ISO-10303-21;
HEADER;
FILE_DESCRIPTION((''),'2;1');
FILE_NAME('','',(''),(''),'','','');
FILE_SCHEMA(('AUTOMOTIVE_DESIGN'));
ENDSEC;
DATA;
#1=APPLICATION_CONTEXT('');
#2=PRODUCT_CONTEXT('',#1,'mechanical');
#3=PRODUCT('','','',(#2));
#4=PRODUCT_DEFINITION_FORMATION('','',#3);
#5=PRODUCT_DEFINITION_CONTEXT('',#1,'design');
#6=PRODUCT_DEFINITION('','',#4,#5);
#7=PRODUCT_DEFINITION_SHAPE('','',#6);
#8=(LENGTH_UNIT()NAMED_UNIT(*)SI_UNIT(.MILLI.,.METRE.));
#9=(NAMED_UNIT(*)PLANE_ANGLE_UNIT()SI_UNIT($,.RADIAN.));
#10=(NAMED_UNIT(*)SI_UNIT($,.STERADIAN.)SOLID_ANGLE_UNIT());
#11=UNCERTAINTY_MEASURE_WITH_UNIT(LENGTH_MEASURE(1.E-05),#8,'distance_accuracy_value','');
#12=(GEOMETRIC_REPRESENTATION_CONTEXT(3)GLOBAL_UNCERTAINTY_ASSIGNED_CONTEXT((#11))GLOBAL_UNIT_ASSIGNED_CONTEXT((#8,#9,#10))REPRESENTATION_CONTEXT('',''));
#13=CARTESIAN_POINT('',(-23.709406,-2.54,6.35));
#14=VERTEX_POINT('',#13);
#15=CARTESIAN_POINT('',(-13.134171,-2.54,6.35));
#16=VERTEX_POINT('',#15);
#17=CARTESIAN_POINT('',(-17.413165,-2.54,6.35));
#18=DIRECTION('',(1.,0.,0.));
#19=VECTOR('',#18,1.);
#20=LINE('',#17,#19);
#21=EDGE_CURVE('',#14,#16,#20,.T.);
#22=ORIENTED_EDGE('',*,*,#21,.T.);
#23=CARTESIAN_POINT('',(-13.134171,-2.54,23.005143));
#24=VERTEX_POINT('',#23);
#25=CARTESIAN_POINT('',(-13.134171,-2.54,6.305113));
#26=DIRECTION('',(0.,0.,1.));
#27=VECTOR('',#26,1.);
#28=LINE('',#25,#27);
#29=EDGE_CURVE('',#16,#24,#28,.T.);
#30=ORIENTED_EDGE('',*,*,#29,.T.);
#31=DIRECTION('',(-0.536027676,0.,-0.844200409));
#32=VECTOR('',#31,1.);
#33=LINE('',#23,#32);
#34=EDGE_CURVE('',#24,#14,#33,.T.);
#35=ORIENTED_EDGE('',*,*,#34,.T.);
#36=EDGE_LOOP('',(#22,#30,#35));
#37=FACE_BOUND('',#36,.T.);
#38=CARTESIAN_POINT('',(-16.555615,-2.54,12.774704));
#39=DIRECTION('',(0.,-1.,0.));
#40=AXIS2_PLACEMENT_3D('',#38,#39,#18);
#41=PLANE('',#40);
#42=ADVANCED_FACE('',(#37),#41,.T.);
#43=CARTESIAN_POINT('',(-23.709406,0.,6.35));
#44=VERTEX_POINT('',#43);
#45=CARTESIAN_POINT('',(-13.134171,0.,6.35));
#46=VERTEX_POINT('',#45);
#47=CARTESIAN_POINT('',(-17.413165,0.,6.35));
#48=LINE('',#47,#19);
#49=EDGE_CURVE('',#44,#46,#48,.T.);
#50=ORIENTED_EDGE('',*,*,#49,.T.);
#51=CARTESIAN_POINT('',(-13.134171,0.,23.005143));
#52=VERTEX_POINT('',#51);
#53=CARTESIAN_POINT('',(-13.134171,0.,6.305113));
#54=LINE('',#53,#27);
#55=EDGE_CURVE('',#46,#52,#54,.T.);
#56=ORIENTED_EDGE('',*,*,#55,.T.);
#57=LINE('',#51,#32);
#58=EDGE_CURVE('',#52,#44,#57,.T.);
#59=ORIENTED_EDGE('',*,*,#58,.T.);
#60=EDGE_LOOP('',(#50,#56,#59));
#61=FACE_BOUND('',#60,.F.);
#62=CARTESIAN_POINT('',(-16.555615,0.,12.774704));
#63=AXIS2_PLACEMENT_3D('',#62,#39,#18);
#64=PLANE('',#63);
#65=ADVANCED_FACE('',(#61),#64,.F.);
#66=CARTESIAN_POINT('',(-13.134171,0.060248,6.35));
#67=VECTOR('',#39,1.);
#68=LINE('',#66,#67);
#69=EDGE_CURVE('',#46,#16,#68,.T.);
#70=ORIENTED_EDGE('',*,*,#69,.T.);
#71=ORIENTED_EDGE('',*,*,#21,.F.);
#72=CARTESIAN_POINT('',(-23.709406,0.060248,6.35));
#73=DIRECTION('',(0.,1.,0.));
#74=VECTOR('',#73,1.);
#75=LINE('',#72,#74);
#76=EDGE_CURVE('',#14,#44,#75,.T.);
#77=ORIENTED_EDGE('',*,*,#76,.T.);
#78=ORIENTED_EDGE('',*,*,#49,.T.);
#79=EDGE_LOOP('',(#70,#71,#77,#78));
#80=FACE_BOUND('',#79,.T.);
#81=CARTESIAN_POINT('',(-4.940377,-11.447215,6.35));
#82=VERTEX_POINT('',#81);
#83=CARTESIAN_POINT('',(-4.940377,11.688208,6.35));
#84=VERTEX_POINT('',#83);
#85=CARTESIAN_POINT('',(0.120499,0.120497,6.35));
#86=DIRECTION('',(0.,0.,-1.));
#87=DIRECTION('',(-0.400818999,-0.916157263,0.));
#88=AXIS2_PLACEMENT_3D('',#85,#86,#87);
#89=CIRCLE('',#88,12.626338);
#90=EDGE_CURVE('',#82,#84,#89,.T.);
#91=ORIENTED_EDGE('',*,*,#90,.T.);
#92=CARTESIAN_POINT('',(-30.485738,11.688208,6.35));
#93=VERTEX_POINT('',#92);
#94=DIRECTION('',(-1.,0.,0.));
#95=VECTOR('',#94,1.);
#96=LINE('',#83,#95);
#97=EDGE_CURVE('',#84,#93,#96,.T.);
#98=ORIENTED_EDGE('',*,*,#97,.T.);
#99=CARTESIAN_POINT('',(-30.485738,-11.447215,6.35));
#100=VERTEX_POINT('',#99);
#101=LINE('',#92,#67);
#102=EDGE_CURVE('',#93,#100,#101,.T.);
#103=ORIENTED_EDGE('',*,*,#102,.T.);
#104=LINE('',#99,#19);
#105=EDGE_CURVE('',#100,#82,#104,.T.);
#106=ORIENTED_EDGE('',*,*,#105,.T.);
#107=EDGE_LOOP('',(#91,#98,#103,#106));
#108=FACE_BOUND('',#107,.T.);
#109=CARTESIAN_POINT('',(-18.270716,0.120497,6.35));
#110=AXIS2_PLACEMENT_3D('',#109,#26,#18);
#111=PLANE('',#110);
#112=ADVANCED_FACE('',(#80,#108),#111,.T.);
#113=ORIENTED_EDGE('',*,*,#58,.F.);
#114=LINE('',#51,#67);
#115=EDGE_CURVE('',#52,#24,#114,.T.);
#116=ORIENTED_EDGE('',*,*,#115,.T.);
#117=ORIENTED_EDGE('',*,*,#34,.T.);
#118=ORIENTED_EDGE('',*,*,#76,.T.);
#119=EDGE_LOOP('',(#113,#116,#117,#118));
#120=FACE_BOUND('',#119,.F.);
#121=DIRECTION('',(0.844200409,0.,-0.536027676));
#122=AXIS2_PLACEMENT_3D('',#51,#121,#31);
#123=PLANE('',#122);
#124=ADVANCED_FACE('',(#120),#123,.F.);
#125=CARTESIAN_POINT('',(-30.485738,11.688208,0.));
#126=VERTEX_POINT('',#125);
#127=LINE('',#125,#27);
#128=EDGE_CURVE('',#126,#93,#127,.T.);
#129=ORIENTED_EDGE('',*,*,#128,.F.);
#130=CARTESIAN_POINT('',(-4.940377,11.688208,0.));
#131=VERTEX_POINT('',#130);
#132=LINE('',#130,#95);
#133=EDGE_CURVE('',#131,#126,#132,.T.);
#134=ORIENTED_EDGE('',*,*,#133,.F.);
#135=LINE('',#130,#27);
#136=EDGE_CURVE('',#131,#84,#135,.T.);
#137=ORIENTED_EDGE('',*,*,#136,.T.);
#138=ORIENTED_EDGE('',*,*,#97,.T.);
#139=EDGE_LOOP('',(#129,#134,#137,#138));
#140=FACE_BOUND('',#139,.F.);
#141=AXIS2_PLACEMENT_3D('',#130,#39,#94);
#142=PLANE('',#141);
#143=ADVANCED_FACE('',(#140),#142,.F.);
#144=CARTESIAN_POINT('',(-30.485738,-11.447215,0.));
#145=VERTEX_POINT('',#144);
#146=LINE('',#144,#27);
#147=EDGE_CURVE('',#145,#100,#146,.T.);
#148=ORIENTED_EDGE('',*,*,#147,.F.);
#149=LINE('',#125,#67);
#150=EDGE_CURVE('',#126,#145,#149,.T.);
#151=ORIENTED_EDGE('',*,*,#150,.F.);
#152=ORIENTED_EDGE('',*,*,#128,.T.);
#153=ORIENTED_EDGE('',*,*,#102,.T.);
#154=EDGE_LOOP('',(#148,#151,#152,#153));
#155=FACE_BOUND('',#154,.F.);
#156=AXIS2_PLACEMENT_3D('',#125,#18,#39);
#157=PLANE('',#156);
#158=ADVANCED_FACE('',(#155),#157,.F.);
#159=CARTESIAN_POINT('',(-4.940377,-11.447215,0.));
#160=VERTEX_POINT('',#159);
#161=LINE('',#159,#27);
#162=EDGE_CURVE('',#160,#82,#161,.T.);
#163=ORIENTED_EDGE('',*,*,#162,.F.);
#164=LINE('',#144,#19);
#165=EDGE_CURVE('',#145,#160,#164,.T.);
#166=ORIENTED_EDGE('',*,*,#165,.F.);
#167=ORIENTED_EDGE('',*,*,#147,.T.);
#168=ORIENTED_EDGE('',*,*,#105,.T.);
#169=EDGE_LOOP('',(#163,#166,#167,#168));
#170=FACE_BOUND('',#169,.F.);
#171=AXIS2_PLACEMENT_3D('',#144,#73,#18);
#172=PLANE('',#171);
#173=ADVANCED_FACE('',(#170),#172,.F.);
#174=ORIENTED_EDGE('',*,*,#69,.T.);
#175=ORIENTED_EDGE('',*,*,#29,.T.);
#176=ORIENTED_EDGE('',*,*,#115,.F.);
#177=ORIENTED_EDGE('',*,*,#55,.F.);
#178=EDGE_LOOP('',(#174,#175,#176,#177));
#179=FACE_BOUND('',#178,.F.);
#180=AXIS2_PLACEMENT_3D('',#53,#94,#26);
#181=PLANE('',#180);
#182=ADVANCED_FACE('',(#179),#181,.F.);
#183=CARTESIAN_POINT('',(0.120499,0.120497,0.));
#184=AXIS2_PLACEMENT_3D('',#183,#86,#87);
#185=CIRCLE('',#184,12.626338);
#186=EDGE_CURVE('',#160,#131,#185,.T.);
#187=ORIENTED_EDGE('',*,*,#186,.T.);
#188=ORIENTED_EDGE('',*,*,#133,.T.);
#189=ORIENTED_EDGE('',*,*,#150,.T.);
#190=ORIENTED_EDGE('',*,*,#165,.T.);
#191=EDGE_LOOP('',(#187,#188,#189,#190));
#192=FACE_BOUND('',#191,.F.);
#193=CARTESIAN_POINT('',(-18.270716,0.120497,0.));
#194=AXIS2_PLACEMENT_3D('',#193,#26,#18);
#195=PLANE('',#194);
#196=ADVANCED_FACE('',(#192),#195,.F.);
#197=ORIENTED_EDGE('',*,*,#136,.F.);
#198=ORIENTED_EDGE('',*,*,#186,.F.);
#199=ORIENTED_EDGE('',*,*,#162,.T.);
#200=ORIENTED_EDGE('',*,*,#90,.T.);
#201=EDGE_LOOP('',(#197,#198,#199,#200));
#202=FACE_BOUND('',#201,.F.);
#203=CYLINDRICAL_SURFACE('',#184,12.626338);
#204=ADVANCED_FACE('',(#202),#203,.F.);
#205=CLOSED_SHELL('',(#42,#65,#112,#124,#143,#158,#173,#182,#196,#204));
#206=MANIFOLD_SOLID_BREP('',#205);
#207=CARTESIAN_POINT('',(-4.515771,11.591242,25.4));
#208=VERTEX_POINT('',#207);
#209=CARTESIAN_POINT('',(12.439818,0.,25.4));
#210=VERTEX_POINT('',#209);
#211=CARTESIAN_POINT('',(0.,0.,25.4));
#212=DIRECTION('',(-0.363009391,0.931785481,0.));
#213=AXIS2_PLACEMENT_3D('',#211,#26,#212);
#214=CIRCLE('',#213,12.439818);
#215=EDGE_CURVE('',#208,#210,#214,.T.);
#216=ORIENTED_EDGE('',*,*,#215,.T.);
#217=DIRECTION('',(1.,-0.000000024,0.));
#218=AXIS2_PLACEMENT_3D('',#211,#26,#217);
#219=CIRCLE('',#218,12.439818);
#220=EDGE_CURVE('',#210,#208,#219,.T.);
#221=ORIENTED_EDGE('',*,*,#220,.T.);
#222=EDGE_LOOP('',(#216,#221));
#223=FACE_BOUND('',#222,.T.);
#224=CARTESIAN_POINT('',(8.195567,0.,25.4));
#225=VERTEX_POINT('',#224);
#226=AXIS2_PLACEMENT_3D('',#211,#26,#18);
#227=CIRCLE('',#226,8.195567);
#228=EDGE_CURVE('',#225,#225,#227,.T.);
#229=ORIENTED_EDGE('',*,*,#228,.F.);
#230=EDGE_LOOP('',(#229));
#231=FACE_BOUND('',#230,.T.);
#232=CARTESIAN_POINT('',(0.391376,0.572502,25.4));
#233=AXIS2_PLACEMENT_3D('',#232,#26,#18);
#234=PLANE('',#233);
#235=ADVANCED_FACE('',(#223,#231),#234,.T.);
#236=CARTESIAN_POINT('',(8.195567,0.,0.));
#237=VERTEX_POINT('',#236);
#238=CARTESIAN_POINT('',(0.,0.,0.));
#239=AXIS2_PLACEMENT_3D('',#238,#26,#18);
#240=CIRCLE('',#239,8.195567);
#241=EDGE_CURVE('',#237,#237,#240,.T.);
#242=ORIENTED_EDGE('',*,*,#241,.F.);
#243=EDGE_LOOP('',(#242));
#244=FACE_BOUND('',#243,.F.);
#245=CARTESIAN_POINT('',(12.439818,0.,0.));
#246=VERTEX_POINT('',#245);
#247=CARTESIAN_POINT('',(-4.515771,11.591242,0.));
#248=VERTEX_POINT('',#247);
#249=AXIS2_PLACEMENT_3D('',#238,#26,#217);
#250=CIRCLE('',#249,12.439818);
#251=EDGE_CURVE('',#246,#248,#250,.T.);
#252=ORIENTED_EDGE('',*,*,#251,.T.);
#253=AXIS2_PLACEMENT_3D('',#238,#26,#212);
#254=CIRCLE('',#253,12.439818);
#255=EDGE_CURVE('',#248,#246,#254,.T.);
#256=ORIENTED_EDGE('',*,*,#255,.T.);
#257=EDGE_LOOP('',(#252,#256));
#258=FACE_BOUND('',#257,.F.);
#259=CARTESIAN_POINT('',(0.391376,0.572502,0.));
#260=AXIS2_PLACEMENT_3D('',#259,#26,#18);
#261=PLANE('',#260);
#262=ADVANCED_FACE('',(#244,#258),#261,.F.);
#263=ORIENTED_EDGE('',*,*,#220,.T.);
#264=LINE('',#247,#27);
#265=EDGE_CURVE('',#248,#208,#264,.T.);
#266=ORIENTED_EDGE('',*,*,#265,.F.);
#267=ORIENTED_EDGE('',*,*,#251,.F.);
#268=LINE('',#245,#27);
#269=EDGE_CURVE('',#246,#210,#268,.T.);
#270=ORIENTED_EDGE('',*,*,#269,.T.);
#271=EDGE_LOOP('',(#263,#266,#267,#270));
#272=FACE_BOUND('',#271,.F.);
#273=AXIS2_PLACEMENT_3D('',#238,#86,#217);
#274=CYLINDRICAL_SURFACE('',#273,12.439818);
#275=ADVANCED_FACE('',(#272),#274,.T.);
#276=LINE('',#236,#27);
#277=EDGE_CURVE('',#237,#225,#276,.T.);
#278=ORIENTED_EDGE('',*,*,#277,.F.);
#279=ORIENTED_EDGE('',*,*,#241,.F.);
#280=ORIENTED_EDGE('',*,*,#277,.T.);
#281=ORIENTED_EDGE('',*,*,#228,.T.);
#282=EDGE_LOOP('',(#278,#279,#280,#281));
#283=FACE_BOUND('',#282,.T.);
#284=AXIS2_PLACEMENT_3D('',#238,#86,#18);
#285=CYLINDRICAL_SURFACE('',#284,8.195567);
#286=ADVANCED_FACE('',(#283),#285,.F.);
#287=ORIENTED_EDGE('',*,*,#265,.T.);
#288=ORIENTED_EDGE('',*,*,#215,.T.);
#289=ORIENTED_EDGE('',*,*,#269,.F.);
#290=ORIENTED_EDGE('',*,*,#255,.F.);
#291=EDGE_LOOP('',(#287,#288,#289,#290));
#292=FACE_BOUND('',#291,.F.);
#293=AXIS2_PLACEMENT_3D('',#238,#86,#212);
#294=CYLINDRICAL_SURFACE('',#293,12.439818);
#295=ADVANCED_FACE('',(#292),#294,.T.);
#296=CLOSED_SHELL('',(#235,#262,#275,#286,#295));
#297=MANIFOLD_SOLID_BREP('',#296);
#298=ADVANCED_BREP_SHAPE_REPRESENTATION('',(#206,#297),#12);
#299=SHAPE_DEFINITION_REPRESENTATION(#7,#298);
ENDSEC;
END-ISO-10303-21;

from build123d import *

# Parameters (mm, degrees)
F0_R     = 8.195567
F1_DEPTH = 25.4
F3_DEPTH = 6.35
F5_DEPTH = 2.54


with BuildPart() as f1:
    # F0 (on Top) → F1 (new body)
    with BuildSketch(Plane.XY):
        with BuildLine():
            ThreePointArc((-4.515771, 11.591242), (-7.02046, -10.26948), (12.439818, 0))
            ThreePointArc((12.439818, 0), (7.02046, 10.26948), (-4.515771, 11.591242))
        make_face()
        Circle(F0_R, mode=Mode.SUBTRACT)
    extrude(amount=F1_DEPTH)


with BuildPart() as f3:
    # F2 (on Top) → F3 (new body)
    with BuildSketch(Plane.XY):
        with BuildLine():
            ThreePointArc((-4.940377, -11.447215), (-12.505839, 0.120497), (-4.940377, 11.688208))
            Line((-4.940377, 11.688208), (-30.485738, 11.688208))
            Line((-30.485738, 11.688208), (-30.485738, -11.447215))
            Line((-30.485738, -11.447215), (-4.940377, -11.447215))
        make_face()
    extrude(amount=F3_DEPTH)

    # F4 (on Front) → F5 (join)
    with BuildSketch(Plane.XZ):
        Polygon((-13.134171, 23.005143), (-23.737907, 6.305113), (-13.134171, 6.305113), align=None)
    extrude(amount=F5_DEPTH)


solid = Compound([f1.part, f3.part])
